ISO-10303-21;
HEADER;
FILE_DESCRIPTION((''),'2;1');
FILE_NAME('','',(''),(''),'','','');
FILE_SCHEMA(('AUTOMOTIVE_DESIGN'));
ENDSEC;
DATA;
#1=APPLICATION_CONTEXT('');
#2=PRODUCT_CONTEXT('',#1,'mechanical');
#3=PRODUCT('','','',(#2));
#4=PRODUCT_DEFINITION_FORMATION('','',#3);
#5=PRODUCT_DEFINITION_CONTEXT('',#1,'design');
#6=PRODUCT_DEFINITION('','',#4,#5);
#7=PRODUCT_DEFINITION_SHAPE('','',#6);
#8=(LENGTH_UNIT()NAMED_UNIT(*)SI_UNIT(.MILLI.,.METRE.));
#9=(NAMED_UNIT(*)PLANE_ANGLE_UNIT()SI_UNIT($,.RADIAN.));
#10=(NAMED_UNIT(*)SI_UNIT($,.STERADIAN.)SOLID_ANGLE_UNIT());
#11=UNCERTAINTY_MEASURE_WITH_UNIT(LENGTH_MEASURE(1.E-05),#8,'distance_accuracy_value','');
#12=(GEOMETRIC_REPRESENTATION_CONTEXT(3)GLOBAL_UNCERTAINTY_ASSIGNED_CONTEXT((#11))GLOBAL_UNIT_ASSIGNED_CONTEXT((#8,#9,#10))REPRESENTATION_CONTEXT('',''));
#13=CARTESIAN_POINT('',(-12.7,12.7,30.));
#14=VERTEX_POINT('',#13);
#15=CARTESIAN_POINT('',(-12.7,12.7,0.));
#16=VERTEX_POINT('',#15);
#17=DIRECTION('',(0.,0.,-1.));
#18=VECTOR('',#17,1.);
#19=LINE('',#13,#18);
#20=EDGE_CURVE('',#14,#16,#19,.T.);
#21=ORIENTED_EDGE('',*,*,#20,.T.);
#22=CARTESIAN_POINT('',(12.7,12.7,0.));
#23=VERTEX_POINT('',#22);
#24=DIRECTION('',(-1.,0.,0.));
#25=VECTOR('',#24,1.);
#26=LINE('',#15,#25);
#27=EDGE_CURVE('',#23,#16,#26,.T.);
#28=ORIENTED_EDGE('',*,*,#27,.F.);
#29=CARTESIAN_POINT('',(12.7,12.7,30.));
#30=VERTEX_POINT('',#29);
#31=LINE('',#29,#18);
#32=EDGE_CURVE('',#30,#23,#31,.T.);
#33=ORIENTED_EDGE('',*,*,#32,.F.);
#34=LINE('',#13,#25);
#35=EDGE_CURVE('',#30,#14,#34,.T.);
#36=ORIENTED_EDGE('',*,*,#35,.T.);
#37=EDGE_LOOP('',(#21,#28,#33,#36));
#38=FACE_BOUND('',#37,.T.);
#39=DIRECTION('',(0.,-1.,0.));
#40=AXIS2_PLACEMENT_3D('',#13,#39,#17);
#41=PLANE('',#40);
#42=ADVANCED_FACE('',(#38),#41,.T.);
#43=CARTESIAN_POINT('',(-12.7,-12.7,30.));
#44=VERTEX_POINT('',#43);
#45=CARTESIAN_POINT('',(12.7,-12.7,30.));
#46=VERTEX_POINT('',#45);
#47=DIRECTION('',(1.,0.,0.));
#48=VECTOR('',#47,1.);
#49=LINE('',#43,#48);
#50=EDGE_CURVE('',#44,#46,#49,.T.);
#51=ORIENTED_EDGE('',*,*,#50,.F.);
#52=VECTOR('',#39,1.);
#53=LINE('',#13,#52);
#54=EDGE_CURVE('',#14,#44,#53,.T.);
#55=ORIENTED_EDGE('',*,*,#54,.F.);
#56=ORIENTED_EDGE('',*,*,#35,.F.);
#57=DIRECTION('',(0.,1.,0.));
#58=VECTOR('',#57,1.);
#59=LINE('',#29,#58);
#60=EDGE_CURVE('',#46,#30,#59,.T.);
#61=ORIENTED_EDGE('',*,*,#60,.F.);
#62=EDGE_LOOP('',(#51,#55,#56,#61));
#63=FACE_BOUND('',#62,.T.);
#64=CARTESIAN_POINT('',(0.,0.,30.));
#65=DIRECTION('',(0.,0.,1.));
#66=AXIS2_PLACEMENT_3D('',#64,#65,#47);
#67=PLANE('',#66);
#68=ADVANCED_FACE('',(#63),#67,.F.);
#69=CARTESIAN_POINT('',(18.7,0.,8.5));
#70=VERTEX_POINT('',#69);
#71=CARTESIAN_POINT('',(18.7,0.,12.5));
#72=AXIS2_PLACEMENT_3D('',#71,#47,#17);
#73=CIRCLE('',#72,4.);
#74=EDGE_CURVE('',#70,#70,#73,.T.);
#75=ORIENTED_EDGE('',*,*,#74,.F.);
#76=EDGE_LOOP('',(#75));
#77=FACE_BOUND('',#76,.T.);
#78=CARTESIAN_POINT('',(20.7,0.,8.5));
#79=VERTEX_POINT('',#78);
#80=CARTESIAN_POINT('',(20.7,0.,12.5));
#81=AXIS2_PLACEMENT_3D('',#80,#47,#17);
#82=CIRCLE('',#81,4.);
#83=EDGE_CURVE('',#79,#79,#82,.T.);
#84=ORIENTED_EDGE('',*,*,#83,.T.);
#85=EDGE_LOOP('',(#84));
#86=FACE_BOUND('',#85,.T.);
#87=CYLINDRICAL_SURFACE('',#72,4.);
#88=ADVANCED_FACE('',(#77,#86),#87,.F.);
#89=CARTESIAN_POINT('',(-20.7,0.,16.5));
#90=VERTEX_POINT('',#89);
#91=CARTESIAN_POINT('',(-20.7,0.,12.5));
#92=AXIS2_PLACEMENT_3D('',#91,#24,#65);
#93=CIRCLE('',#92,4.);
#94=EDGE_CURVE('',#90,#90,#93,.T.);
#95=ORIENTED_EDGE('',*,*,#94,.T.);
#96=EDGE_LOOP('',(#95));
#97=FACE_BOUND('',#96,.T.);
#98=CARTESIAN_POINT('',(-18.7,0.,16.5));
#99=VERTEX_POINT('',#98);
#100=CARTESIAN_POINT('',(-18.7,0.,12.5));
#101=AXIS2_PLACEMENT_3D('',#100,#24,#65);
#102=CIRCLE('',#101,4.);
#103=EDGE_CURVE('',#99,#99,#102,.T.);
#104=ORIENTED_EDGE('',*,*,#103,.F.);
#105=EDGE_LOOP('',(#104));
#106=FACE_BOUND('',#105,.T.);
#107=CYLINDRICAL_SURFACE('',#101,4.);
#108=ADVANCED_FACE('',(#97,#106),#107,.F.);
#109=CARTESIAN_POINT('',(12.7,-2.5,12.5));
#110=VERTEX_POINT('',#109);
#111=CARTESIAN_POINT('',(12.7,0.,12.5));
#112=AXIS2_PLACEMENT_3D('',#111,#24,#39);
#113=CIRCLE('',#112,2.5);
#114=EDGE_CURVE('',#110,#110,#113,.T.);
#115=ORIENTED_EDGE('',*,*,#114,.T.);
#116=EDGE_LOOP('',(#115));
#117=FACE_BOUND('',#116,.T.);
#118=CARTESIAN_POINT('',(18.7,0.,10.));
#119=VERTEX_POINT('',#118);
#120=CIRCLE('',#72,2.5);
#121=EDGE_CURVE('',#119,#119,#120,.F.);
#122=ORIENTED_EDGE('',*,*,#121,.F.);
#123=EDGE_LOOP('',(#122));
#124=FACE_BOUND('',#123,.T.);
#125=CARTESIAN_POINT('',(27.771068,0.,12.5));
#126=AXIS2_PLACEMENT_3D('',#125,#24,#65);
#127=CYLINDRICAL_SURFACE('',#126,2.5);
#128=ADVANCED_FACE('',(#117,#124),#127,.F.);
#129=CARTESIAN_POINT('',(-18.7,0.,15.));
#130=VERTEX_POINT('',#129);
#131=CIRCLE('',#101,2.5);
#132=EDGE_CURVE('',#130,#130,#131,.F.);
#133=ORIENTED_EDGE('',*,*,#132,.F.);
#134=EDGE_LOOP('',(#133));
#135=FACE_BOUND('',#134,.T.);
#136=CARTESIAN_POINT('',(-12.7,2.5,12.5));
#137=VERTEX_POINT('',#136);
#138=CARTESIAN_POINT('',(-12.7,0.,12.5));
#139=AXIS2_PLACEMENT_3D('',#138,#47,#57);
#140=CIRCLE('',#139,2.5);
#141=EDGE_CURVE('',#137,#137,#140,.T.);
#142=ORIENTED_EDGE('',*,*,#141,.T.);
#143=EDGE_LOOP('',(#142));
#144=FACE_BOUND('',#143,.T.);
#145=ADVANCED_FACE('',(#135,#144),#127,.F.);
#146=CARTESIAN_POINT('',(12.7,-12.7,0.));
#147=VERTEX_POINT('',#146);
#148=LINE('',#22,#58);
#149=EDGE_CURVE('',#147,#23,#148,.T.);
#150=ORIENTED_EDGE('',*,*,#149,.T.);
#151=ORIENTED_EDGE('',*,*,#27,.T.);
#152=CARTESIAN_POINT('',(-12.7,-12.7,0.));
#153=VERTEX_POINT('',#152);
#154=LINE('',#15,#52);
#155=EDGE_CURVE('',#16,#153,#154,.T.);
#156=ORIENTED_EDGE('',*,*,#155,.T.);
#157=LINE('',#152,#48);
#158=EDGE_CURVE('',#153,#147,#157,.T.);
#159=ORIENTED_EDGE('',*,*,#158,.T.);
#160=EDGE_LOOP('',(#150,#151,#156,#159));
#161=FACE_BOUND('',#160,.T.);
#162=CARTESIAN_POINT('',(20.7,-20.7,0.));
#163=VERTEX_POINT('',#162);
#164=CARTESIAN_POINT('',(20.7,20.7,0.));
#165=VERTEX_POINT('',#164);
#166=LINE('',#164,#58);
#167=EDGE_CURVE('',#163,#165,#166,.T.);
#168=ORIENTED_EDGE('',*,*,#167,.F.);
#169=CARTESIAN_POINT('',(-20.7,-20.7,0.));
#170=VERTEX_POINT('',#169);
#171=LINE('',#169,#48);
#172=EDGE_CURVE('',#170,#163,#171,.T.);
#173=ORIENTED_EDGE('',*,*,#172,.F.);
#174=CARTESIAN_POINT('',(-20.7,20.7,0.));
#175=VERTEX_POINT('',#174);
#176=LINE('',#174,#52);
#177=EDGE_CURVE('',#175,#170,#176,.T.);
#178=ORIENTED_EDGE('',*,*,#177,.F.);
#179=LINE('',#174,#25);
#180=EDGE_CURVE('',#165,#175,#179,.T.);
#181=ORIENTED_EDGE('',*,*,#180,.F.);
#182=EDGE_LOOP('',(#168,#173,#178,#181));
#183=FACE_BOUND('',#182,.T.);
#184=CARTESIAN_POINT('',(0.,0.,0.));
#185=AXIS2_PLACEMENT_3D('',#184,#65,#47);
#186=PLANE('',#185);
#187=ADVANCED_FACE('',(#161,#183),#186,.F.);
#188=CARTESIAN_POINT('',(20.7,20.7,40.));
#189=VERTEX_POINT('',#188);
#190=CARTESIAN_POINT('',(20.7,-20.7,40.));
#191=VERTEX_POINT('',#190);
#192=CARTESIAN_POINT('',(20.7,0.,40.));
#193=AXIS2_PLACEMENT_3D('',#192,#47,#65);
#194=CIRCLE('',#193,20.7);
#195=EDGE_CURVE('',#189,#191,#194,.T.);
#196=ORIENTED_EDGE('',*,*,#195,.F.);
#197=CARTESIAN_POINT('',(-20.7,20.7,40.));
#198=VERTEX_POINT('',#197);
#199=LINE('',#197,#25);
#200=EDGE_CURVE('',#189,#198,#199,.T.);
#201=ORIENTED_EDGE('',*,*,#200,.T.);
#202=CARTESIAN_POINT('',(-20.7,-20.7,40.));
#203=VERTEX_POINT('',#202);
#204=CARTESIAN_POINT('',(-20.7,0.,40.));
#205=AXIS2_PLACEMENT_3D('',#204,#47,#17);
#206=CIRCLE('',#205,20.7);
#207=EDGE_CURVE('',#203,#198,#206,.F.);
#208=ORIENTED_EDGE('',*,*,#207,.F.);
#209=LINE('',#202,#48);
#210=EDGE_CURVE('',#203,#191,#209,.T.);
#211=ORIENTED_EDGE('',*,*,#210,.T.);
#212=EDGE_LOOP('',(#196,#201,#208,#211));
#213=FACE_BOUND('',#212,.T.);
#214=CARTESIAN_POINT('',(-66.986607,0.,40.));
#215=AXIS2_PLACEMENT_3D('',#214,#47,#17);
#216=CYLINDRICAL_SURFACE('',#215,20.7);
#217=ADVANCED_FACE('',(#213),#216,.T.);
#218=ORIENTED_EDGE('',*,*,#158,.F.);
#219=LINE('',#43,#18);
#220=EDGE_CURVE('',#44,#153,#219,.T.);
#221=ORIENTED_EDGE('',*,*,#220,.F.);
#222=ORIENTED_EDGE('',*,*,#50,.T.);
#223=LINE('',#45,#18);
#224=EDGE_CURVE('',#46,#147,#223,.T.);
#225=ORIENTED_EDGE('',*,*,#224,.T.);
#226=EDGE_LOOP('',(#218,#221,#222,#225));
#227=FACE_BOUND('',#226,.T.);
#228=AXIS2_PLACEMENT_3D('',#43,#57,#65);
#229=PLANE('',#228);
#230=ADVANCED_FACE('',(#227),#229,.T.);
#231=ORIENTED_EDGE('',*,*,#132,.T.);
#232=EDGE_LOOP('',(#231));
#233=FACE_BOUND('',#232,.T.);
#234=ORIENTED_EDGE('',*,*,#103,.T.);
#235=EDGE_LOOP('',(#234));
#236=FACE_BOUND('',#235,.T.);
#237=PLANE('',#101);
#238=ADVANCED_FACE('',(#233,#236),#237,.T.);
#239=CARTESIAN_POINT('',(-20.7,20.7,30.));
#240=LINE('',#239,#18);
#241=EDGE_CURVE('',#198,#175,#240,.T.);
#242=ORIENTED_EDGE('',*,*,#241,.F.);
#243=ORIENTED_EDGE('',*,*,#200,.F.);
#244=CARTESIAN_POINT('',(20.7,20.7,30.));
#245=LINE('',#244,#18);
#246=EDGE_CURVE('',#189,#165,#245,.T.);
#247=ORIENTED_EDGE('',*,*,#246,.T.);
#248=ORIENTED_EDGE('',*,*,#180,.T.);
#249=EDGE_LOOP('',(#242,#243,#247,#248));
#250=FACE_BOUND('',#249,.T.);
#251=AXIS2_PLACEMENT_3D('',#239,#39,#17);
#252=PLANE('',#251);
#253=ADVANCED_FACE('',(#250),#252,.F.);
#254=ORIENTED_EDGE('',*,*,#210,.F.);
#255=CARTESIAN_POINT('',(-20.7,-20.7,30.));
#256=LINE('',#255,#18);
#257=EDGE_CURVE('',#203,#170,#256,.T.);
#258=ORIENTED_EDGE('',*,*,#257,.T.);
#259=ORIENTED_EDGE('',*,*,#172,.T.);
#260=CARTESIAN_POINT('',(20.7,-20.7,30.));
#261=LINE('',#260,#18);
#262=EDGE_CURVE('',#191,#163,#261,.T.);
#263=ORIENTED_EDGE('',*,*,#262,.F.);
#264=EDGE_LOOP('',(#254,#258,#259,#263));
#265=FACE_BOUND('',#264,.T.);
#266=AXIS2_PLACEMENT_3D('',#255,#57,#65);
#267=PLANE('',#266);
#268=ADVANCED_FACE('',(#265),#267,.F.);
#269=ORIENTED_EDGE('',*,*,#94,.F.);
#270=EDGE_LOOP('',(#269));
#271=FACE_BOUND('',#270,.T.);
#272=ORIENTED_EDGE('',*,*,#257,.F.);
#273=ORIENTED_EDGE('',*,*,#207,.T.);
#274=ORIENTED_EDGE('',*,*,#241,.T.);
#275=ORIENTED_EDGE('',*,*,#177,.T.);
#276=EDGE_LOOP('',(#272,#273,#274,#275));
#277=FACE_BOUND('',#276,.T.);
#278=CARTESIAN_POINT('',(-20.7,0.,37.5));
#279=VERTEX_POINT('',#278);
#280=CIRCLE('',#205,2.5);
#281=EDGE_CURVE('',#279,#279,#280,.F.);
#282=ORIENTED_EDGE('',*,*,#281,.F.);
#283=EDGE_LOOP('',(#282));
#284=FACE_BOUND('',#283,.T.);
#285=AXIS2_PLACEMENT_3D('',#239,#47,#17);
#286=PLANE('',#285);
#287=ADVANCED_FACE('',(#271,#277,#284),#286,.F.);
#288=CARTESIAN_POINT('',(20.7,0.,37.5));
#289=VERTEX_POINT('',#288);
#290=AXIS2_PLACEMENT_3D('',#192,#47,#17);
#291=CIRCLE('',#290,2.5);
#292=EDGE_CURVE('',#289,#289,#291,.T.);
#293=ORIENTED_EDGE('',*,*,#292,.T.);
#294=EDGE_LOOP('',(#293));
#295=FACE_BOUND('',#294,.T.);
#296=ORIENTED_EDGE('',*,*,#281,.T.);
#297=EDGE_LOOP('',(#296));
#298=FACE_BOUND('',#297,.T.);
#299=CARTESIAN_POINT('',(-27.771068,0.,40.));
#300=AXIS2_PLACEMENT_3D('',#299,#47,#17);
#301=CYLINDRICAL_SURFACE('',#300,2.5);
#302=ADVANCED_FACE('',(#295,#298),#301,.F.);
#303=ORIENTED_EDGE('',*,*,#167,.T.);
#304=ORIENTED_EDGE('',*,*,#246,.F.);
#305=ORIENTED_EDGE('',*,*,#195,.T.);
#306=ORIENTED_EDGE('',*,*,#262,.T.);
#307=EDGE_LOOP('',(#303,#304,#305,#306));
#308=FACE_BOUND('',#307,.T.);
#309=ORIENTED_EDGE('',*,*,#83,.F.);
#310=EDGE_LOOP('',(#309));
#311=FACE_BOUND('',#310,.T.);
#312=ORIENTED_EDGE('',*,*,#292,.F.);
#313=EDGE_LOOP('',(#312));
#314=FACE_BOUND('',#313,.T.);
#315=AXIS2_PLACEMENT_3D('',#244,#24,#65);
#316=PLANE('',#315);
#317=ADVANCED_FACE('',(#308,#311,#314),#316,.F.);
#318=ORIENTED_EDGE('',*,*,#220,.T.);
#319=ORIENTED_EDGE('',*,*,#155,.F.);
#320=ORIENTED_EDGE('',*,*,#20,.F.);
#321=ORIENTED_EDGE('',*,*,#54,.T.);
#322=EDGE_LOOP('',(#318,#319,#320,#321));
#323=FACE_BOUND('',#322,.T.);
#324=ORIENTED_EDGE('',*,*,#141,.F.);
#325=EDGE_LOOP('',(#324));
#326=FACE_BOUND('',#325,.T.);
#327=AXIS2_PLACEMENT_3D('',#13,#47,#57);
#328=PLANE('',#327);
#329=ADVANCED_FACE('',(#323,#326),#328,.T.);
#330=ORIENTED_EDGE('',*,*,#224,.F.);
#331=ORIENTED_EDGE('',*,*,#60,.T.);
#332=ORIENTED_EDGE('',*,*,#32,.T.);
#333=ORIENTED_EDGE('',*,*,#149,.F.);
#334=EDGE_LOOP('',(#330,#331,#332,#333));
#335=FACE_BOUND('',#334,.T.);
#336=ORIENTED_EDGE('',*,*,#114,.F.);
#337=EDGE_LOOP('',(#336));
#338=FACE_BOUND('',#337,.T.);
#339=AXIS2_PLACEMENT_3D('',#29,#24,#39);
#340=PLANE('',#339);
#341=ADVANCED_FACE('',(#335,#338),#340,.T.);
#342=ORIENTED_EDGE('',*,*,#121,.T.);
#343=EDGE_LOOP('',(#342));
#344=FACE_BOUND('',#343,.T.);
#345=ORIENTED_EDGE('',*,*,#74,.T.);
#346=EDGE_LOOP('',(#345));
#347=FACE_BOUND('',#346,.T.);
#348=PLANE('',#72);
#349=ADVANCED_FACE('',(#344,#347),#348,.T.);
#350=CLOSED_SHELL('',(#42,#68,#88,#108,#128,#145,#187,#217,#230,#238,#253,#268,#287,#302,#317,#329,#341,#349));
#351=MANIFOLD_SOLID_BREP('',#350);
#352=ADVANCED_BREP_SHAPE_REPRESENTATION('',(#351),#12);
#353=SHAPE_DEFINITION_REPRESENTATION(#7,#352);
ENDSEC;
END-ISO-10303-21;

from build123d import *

# Parameters (mm, degrees)
SKETCH1_W           = 41.4
SKETCH1_H           = 41.4
SKETCH1_W_2         = 25.4
SKETCH1_H_2         = 25.4
BOSS_EXTRUDE1_DEPTH = 30
SKETCH2_W           = 41.4
SKETCH2_H           = 41.4
BOSS_EXTRUDE2_DEPTH = 10
BOSS_EXTRUDE3_DEPTH = 41.4
SKETCH4_R           = 2.5
CUT_EXTRUDE1_DEPTH  = 41.4
CUT_EXTRUDE2_REACH  = 78.334
SKETCH5_R           = 2.5
SKETCH6_R           = 4
CUT_EXTRUDE3_DEPTH  = 2
CUT_EXTRUDE4_START  = -2
SKETCH7_R           = 4
CUT_EXTRUDE4_DEPTH  = 2


with BuildPart() as part:
    # Sketch1 → Boss-Extrude1 (new body)
    with BuildSketch(Plane.XY):
        Rectangle(SKETCH1_W, SKETCH1_H)
        Rectangle(SKETCH1_W_2, SKETCH1_H_2, mode=Mode.SUBTRACT)
    extrude(amount=BOSS_EXTRUDE1_DEPTH)

    # Sketch2 → Boss-Extrude2 (add)
    with BuildSketch(Plane.XY.offset(30)):
        Rectangle(SKETCH2_W, SKETCH2_H)
    extrude(amount=BOSS_EXTRUDE2_DEPTH)

    # Sketch3 → Boss-Extrude3 (add)
    with BuildSketch(Plane(origin=(20.7, 0, 0), x_dir=(0, 0, -1), z_dir=(1, 0, 0))):
        with BuildLine():
            Line((-40, -20.7), (-40, 20.7))
            ThreePointArc((-40, 20.7), (-60.7, 0), (-40, -20.7))
        make_face()
    extrude(amount=-BOSS_EXTRUDE3_DEPTH)

    # Sketch4 → Cut-Extrude1 (cut)
    with BuildSketch(Plane(origin=(20.7, 0, 0), x_dir=(0, 0, -1), z_dir=(1, 0, 0))):
        with Locations((-40, 0)):
            Circle(SKETCH4_R)
    extrude(amount=-CUT_EXTRUDE1_DEPTH, mode=Mode.SUBTRACT)

    # Cut-Extrude2: up to this face of the body (flat: up to its plane)
    cut_extrude2_end = Plane(part.part.faces().sort_by_distance((20.7, 0, 28.219269494))[0])
    # Sketch5 → Cut-Extrude2 (cut, up to the picked face)
    with BuildSketch(Plane.ZY.offset(20.7), mode=Mode.PRIVATE) as cut_extrude2_sk1:
        with Locations((12.5, 0)):
            Circle(SKETCH5_R)
    cut_extrude2_tool1 = split(extrude(cut_extrude2_sk1.sketch, amount=-CUT_EXTRUDE2_REACH, mode=Mode.PRIVATE), bisect_by=cut_extrude2_end, keep=Keep.BOTH, mode=Mode.PRIVATE)
    add(cut_extrude2_tool1.solids().sort_by(Axis((-20.7, 0, 12.5), (1, 0, 0)))[0], mode=Mode.SUBTRACT)

    # Sketch6 → Cut-Extrude3 (cut)
    with BuildSketch(Plane.ZY.offset(20.7)):
        with Locations((12.5, 0)):
            Circle(SKETCH6_R)
    extrude(amount=-CUT_EXTRUDE3_DEPTH, mode=Mode.SUBTRACT)

    # Sketch7 → Cut-Extrude4 (cut)
    with BuildSketch(Plane(origin=(20.7, 0, 0), x_dir=(0, 0, -1), z_dir=(1, 0, 0)).offset(CUT_EXTRUDE4_START)):
        with Locations(Location((-12.5, 0, 0), (0, 0, 180))):
            Circle(SKETCH7_R)
    extrude(amount=CUT_EXTRUDE4_DEPTH, mode=Mode.SUBTRACT)


solid = part.part
